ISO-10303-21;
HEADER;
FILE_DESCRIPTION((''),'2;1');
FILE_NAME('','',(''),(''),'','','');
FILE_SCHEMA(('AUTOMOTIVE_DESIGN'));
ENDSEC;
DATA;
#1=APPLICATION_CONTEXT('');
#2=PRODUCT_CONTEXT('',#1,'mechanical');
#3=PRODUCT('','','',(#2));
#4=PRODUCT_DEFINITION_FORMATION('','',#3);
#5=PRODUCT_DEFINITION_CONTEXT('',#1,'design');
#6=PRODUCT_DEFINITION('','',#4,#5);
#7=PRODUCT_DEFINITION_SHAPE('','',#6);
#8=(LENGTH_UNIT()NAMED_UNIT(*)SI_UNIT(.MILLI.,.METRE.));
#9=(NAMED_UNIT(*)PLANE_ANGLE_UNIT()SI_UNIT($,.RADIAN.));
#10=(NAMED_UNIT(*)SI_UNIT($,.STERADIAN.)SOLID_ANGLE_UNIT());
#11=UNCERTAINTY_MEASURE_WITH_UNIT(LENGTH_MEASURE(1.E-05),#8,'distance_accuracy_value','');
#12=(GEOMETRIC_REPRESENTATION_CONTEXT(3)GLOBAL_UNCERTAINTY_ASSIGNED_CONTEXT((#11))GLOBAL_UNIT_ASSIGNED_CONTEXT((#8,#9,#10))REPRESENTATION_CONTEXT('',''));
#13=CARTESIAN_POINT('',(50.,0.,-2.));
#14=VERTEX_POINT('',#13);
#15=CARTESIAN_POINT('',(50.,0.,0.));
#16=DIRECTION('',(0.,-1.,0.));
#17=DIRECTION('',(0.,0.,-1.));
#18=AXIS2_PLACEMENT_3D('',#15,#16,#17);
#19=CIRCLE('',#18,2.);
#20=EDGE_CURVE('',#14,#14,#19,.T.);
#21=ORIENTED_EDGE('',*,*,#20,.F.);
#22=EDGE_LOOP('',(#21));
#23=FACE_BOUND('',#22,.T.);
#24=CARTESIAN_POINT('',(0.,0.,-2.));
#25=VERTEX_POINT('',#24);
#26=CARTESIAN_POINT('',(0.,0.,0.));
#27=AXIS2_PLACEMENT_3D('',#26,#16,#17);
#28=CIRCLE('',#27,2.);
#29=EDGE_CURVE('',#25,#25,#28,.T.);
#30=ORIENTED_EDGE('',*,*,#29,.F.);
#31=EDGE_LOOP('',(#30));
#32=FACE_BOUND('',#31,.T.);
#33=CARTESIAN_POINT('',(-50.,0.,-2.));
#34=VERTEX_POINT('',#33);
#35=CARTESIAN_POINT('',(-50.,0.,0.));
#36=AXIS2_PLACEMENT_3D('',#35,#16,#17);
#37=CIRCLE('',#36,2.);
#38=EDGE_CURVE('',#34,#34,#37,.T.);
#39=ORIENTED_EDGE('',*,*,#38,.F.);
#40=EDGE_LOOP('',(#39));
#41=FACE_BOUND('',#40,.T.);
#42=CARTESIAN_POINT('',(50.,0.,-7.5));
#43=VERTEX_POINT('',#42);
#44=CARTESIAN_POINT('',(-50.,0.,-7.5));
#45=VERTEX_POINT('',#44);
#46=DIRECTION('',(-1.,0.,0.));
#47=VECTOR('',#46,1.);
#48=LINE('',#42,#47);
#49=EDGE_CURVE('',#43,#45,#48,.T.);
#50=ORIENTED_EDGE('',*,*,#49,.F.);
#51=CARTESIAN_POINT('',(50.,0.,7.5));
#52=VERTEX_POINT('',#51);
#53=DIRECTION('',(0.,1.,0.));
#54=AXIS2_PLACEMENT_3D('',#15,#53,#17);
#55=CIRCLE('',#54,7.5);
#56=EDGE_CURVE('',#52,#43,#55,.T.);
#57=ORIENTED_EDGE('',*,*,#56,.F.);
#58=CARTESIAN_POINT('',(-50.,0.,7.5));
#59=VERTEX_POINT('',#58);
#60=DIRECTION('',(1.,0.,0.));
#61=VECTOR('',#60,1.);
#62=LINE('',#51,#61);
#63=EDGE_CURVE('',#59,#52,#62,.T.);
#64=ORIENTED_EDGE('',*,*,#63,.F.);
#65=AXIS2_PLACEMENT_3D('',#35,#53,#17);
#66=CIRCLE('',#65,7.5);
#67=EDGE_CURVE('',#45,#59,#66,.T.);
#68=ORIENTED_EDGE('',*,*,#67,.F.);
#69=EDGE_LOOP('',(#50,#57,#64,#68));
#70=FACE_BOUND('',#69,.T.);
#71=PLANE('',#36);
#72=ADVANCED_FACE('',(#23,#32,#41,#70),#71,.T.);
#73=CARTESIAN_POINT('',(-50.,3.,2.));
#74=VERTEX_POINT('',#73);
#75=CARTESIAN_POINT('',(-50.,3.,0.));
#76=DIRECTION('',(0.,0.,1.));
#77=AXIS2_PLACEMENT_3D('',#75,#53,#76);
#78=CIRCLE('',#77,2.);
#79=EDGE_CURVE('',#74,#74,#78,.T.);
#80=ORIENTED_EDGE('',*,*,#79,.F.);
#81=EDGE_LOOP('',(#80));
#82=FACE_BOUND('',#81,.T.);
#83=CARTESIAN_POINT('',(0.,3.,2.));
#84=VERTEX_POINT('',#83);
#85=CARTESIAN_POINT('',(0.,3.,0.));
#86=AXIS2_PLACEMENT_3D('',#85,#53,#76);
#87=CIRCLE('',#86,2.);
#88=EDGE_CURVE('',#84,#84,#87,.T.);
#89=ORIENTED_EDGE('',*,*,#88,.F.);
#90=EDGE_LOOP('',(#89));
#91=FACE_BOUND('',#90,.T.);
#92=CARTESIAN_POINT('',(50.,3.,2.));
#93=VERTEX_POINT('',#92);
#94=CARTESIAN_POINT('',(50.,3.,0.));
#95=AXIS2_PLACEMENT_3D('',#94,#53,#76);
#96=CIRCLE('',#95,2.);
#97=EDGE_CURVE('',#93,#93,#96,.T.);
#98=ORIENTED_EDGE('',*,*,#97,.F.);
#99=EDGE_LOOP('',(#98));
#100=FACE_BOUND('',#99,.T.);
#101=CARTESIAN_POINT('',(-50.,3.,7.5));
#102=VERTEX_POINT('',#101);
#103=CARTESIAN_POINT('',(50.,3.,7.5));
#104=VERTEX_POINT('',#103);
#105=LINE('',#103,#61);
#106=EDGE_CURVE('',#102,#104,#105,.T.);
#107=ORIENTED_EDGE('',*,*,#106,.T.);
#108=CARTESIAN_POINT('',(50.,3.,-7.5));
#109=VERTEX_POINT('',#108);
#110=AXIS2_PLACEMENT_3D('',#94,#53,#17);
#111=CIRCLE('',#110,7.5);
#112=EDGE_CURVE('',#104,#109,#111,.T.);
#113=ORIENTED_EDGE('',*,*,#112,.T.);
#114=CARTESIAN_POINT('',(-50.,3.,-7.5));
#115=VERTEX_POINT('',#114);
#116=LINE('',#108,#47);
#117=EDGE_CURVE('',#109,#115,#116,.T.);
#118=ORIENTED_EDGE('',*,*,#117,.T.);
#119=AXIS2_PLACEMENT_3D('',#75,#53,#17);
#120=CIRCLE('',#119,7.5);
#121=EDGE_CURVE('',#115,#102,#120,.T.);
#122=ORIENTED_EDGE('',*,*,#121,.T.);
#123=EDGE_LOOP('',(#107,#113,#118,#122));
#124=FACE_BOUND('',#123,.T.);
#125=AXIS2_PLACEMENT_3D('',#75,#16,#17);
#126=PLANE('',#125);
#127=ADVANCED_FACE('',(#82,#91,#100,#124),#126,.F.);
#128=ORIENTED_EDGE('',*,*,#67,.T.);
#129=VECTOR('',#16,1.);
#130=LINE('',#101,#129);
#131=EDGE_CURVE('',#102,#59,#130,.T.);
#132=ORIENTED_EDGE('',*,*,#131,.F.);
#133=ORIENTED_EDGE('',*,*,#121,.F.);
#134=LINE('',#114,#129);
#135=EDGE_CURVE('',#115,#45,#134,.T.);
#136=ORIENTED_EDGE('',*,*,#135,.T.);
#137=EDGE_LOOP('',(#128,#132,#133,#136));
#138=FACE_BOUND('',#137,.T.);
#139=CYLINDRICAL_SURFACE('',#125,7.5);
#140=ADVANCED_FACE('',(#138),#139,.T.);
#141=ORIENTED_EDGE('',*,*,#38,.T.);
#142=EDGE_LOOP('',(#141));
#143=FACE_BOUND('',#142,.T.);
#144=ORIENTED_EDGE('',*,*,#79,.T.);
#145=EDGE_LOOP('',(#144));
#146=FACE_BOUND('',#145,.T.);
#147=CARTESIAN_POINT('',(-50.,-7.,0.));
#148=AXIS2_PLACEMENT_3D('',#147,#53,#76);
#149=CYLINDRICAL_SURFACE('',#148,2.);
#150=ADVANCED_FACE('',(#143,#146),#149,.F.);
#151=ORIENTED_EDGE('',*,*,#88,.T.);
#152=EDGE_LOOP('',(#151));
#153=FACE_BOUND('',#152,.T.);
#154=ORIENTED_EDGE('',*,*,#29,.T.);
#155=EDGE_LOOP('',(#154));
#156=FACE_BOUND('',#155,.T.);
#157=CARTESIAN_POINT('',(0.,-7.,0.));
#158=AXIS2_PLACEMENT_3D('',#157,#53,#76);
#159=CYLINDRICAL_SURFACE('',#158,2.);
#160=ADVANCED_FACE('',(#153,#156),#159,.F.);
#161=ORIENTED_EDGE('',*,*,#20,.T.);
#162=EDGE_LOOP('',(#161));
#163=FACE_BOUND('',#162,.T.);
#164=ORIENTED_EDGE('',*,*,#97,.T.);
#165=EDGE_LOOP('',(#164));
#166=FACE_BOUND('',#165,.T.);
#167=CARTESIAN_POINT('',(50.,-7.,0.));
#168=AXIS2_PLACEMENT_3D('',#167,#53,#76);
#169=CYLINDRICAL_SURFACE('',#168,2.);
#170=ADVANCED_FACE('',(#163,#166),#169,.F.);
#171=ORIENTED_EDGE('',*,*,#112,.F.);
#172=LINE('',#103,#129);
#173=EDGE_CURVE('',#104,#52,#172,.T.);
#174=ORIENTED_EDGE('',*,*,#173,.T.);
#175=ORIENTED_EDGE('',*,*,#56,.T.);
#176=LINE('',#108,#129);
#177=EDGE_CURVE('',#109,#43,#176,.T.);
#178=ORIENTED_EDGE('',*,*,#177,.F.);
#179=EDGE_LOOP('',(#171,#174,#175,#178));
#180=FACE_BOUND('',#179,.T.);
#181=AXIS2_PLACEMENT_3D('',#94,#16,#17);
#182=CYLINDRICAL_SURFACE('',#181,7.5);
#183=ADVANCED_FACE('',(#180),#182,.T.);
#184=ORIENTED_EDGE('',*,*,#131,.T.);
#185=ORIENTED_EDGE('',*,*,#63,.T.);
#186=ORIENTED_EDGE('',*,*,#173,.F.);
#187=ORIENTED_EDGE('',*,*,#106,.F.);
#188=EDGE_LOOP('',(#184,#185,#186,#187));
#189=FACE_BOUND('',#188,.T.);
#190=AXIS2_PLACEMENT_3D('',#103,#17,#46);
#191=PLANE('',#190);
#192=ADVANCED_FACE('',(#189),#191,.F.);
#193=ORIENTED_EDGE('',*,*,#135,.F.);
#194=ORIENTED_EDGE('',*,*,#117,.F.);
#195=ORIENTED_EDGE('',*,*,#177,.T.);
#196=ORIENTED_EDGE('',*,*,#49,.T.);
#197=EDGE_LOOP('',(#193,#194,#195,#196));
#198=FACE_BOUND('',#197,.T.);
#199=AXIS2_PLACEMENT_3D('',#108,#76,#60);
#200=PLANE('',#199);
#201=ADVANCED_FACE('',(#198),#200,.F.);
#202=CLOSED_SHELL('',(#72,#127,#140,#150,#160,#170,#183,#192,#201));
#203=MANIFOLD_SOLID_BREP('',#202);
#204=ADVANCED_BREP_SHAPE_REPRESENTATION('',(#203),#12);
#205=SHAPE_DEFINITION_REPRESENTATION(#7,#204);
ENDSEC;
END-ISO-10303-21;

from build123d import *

# Parameters (mm, degrees)
BOSS_EXTRUDE1_DEPTH = 3
SKETCH4_R           = 2
CUT_EXTRUDE1_DEPTH  = 10
SKETCH5_R           = 2
CUT_EXTRUDE2_DEPTH  = 10


with BuildPart() as part:
    # Sketch1 → Boss-Extrude1 (new body)
    with BuildSketch(Plane(origin=(0, 0, 0), x_dir=(1, 0, 0), z_dir=(0, 1, 0))):
        with BuildLine():
            Line((50, -7.5), (-50, -7.5))
            ThreePointArc((-50, -7.5), (-57.5, 0), (-50, 7.5))
            Line((-50, 7.5), (50, 7.5))
            ThreePointArc((50, 7.5), (57.5, 0), (50, -7.5))
        make_face()
    extrude(amount=BOSS_EXTRUDE1_DEPTH)

    # Sketch4 → Cut-Extrude1 (cut)
    with BuildSketch(Plane(origin=(0, 3, 0), x_dir=(1, 0, 0), z_dir=(0, 1, 0))):
        with Locations(Location((-50, 0, 0), (0, 0, 270))):
            Circle(SKETCH4_R)
        with Locations(Location((50, 0, 0), (0, 0, 270))):
            Circle(SKETCH4_R)
    extrude(amount=-CUT_EXTRUDE1_DEPTH, mode=Mode.SUBTRACT)

    # Sketch5 → Cut-Extrude2 (cut)
    with BuildSketch(Plane(origin=(0, 3, 0), x_dir=(1, 0, 0), z_dir=(0, 1, 0))):
        with Locations(Location((0, 0, 0), (0, 0, 270))):
            Circle(SKETCH5_R)
    extrude(amount=-CUT_EXTRUDE2_DEPTH, mode=Mode.SUBTRACT)


solid = part.part
